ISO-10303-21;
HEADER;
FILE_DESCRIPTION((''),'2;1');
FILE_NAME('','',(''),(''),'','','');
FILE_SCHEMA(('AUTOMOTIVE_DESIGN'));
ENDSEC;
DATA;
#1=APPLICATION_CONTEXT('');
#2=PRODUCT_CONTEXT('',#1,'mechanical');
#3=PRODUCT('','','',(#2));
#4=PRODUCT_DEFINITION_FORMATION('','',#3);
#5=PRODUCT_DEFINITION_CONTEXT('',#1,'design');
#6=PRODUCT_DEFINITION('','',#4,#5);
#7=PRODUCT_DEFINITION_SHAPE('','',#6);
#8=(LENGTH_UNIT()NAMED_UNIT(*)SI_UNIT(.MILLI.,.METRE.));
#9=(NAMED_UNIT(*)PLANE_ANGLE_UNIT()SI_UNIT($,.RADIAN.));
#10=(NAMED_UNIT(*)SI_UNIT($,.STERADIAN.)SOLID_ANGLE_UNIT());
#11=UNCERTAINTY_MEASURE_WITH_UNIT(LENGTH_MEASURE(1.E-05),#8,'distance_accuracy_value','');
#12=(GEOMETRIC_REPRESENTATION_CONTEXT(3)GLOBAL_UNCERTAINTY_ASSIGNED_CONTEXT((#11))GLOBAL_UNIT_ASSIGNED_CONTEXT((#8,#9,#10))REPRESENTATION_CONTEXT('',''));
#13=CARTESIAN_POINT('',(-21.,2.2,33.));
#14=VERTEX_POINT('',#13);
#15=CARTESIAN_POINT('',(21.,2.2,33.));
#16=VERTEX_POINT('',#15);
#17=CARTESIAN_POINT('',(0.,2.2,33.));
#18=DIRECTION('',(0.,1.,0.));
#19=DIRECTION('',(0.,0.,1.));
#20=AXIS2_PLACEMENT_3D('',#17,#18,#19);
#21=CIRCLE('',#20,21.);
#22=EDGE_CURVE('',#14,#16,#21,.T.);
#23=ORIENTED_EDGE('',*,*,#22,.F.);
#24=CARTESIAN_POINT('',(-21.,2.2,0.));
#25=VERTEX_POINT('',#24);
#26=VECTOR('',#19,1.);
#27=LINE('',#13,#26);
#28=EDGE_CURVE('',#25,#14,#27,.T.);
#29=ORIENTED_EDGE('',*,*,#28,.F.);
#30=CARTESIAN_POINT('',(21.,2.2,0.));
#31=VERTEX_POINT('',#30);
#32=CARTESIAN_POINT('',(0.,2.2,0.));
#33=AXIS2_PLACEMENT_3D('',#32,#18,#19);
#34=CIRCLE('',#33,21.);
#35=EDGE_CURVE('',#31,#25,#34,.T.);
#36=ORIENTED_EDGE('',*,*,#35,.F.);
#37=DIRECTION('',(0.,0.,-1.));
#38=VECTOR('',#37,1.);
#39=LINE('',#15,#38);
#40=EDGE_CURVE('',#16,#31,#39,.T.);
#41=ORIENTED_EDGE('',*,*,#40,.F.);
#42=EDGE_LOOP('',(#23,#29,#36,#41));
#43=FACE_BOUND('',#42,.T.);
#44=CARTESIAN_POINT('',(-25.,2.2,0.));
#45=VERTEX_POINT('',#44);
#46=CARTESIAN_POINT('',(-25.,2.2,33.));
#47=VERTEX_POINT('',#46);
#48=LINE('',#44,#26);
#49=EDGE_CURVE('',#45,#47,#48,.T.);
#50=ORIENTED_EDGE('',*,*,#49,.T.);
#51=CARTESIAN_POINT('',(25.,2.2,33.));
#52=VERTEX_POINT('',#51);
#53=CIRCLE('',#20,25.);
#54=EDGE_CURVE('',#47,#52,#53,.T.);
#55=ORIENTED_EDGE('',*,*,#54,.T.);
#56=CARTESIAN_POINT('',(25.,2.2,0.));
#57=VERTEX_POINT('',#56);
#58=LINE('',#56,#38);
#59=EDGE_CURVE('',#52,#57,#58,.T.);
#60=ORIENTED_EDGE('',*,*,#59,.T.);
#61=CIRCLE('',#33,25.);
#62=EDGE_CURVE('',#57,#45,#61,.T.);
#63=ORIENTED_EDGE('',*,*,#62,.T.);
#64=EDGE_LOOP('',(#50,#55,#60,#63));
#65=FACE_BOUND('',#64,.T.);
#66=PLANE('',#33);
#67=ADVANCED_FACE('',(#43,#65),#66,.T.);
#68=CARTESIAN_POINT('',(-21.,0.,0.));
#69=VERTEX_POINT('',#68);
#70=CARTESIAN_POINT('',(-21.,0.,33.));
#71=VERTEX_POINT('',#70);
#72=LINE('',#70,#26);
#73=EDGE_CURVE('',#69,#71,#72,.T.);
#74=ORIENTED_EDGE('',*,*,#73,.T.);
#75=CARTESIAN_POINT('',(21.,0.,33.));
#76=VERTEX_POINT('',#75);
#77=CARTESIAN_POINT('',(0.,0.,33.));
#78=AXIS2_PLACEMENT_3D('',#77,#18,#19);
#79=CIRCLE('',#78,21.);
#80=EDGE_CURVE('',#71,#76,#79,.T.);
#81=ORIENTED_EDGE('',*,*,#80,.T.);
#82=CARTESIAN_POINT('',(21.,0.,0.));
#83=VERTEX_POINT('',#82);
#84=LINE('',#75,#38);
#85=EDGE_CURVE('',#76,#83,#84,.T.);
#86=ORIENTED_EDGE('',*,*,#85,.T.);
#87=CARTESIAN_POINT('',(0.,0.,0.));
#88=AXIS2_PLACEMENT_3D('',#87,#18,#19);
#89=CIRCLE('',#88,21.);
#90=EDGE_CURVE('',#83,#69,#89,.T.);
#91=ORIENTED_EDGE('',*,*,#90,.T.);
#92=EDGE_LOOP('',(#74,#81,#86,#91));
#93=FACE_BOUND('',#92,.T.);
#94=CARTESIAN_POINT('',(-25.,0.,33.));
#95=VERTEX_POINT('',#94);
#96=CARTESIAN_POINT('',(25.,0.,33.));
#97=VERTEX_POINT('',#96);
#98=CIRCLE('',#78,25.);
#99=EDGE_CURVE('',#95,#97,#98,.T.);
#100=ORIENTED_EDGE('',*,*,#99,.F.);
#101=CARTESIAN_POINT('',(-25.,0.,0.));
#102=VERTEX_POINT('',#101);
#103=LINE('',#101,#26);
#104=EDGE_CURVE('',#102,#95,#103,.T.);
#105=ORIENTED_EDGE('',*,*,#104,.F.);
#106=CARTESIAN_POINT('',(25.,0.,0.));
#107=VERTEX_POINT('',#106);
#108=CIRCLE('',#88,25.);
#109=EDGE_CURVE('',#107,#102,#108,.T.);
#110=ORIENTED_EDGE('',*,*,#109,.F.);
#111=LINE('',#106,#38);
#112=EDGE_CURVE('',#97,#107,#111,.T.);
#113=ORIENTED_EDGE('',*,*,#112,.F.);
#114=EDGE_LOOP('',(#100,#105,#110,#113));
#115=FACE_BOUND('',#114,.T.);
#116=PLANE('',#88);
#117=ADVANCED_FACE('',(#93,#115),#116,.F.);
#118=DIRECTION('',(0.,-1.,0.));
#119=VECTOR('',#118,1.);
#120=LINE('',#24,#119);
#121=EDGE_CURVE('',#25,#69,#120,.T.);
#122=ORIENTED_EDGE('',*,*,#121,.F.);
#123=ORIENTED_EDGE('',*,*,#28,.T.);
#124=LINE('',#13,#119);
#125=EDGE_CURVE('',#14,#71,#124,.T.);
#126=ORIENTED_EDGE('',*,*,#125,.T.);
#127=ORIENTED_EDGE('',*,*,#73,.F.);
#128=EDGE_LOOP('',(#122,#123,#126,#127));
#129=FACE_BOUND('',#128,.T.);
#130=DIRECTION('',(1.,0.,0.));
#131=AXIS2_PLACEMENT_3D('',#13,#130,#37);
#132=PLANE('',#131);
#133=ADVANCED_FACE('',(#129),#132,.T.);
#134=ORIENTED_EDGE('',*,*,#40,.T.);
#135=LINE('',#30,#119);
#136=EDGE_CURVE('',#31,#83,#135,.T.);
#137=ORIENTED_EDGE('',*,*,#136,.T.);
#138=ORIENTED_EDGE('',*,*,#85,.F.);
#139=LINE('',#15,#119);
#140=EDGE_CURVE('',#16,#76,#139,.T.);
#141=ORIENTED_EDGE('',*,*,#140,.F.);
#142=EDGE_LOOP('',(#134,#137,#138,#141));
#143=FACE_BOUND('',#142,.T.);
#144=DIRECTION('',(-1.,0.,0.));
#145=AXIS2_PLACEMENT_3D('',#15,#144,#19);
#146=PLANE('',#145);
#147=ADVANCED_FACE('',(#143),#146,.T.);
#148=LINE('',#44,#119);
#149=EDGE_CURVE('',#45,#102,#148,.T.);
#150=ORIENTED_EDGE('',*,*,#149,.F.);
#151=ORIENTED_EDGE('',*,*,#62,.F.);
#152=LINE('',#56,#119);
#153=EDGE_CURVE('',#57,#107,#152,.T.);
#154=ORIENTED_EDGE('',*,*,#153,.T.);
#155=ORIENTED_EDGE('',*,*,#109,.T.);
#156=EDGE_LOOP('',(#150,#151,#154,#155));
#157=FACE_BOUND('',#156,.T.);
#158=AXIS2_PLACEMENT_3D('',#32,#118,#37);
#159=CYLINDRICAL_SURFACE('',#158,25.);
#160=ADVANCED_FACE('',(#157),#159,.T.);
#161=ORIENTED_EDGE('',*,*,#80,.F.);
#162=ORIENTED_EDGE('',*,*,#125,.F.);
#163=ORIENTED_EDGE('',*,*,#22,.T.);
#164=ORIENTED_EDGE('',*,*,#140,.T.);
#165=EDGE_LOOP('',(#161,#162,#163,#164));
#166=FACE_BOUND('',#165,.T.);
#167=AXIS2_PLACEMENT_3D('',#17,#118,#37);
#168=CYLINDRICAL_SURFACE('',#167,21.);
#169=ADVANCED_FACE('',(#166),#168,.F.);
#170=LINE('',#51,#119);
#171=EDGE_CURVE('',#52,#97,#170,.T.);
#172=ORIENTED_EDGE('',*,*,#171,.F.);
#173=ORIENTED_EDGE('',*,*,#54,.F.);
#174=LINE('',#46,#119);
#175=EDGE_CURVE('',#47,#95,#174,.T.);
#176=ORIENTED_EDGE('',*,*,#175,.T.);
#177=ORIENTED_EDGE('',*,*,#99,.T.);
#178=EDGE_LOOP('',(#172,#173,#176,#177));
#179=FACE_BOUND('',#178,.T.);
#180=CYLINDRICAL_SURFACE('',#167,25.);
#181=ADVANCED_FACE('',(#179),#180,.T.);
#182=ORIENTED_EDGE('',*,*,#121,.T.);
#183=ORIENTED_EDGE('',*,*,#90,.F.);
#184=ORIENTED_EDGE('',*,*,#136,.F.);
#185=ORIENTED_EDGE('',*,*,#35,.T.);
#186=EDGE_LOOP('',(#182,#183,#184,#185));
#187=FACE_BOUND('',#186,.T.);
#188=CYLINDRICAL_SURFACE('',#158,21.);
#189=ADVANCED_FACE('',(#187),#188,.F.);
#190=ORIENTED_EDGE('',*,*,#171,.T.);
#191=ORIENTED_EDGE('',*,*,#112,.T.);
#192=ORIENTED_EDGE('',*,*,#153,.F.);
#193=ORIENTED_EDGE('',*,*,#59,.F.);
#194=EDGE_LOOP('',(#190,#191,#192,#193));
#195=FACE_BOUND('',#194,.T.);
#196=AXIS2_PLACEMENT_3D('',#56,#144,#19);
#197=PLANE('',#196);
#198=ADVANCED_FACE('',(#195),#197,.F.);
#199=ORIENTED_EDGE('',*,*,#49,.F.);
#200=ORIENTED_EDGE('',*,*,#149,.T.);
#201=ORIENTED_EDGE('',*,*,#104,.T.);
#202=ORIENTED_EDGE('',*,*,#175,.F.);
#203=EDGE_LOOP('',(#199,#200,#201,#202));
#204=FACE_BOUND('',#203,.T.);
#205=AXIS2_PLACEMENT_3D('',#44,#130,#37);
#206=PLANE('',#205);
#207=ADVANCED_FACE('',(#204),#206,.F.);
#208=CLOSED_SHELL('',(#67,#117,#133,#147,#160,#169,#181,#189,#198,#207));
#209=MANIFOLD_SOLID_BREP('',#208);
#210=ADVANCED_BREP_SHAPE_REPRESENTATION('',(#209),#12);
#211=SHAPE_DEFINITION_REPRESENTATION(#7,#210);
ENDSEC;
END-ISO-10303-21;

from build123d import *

# Parameters (mm, degrees)
EXTRUDE_1_DEPTH = 2.2


with BuildPart() as part:
    # 草图1 → 凸台-拉伸1 (new body)
    with BuildSketch(Plane(origin=(0, 0, 0), x_dir=(1, 0, 0), z_dir=(0, 1, 0))):
        with BuildLine():
            Line((25, 0), (25, -33))
            ThreePointArc((25, -33), (0, -58), (-25, -33))
            Line((-25, -33), (-25, 0))
            ThreePointArc((-25, 0), (0, 25), (25, 0))
        make_face()
        with BuildLine():
            Line((-21, -33), (-21, 0))
            ThreePointArc((-21, 0), (0, 21), (21, 0))
            Line((21, 0), (21, -33))
            ThreePointArc((21, -33), (0, -54), (-21, -33))
        make_face(mode=Mode.SUBTRACT)
    extrude(amount=EXTRUDE_1_DEPTH)


solid = part.part
